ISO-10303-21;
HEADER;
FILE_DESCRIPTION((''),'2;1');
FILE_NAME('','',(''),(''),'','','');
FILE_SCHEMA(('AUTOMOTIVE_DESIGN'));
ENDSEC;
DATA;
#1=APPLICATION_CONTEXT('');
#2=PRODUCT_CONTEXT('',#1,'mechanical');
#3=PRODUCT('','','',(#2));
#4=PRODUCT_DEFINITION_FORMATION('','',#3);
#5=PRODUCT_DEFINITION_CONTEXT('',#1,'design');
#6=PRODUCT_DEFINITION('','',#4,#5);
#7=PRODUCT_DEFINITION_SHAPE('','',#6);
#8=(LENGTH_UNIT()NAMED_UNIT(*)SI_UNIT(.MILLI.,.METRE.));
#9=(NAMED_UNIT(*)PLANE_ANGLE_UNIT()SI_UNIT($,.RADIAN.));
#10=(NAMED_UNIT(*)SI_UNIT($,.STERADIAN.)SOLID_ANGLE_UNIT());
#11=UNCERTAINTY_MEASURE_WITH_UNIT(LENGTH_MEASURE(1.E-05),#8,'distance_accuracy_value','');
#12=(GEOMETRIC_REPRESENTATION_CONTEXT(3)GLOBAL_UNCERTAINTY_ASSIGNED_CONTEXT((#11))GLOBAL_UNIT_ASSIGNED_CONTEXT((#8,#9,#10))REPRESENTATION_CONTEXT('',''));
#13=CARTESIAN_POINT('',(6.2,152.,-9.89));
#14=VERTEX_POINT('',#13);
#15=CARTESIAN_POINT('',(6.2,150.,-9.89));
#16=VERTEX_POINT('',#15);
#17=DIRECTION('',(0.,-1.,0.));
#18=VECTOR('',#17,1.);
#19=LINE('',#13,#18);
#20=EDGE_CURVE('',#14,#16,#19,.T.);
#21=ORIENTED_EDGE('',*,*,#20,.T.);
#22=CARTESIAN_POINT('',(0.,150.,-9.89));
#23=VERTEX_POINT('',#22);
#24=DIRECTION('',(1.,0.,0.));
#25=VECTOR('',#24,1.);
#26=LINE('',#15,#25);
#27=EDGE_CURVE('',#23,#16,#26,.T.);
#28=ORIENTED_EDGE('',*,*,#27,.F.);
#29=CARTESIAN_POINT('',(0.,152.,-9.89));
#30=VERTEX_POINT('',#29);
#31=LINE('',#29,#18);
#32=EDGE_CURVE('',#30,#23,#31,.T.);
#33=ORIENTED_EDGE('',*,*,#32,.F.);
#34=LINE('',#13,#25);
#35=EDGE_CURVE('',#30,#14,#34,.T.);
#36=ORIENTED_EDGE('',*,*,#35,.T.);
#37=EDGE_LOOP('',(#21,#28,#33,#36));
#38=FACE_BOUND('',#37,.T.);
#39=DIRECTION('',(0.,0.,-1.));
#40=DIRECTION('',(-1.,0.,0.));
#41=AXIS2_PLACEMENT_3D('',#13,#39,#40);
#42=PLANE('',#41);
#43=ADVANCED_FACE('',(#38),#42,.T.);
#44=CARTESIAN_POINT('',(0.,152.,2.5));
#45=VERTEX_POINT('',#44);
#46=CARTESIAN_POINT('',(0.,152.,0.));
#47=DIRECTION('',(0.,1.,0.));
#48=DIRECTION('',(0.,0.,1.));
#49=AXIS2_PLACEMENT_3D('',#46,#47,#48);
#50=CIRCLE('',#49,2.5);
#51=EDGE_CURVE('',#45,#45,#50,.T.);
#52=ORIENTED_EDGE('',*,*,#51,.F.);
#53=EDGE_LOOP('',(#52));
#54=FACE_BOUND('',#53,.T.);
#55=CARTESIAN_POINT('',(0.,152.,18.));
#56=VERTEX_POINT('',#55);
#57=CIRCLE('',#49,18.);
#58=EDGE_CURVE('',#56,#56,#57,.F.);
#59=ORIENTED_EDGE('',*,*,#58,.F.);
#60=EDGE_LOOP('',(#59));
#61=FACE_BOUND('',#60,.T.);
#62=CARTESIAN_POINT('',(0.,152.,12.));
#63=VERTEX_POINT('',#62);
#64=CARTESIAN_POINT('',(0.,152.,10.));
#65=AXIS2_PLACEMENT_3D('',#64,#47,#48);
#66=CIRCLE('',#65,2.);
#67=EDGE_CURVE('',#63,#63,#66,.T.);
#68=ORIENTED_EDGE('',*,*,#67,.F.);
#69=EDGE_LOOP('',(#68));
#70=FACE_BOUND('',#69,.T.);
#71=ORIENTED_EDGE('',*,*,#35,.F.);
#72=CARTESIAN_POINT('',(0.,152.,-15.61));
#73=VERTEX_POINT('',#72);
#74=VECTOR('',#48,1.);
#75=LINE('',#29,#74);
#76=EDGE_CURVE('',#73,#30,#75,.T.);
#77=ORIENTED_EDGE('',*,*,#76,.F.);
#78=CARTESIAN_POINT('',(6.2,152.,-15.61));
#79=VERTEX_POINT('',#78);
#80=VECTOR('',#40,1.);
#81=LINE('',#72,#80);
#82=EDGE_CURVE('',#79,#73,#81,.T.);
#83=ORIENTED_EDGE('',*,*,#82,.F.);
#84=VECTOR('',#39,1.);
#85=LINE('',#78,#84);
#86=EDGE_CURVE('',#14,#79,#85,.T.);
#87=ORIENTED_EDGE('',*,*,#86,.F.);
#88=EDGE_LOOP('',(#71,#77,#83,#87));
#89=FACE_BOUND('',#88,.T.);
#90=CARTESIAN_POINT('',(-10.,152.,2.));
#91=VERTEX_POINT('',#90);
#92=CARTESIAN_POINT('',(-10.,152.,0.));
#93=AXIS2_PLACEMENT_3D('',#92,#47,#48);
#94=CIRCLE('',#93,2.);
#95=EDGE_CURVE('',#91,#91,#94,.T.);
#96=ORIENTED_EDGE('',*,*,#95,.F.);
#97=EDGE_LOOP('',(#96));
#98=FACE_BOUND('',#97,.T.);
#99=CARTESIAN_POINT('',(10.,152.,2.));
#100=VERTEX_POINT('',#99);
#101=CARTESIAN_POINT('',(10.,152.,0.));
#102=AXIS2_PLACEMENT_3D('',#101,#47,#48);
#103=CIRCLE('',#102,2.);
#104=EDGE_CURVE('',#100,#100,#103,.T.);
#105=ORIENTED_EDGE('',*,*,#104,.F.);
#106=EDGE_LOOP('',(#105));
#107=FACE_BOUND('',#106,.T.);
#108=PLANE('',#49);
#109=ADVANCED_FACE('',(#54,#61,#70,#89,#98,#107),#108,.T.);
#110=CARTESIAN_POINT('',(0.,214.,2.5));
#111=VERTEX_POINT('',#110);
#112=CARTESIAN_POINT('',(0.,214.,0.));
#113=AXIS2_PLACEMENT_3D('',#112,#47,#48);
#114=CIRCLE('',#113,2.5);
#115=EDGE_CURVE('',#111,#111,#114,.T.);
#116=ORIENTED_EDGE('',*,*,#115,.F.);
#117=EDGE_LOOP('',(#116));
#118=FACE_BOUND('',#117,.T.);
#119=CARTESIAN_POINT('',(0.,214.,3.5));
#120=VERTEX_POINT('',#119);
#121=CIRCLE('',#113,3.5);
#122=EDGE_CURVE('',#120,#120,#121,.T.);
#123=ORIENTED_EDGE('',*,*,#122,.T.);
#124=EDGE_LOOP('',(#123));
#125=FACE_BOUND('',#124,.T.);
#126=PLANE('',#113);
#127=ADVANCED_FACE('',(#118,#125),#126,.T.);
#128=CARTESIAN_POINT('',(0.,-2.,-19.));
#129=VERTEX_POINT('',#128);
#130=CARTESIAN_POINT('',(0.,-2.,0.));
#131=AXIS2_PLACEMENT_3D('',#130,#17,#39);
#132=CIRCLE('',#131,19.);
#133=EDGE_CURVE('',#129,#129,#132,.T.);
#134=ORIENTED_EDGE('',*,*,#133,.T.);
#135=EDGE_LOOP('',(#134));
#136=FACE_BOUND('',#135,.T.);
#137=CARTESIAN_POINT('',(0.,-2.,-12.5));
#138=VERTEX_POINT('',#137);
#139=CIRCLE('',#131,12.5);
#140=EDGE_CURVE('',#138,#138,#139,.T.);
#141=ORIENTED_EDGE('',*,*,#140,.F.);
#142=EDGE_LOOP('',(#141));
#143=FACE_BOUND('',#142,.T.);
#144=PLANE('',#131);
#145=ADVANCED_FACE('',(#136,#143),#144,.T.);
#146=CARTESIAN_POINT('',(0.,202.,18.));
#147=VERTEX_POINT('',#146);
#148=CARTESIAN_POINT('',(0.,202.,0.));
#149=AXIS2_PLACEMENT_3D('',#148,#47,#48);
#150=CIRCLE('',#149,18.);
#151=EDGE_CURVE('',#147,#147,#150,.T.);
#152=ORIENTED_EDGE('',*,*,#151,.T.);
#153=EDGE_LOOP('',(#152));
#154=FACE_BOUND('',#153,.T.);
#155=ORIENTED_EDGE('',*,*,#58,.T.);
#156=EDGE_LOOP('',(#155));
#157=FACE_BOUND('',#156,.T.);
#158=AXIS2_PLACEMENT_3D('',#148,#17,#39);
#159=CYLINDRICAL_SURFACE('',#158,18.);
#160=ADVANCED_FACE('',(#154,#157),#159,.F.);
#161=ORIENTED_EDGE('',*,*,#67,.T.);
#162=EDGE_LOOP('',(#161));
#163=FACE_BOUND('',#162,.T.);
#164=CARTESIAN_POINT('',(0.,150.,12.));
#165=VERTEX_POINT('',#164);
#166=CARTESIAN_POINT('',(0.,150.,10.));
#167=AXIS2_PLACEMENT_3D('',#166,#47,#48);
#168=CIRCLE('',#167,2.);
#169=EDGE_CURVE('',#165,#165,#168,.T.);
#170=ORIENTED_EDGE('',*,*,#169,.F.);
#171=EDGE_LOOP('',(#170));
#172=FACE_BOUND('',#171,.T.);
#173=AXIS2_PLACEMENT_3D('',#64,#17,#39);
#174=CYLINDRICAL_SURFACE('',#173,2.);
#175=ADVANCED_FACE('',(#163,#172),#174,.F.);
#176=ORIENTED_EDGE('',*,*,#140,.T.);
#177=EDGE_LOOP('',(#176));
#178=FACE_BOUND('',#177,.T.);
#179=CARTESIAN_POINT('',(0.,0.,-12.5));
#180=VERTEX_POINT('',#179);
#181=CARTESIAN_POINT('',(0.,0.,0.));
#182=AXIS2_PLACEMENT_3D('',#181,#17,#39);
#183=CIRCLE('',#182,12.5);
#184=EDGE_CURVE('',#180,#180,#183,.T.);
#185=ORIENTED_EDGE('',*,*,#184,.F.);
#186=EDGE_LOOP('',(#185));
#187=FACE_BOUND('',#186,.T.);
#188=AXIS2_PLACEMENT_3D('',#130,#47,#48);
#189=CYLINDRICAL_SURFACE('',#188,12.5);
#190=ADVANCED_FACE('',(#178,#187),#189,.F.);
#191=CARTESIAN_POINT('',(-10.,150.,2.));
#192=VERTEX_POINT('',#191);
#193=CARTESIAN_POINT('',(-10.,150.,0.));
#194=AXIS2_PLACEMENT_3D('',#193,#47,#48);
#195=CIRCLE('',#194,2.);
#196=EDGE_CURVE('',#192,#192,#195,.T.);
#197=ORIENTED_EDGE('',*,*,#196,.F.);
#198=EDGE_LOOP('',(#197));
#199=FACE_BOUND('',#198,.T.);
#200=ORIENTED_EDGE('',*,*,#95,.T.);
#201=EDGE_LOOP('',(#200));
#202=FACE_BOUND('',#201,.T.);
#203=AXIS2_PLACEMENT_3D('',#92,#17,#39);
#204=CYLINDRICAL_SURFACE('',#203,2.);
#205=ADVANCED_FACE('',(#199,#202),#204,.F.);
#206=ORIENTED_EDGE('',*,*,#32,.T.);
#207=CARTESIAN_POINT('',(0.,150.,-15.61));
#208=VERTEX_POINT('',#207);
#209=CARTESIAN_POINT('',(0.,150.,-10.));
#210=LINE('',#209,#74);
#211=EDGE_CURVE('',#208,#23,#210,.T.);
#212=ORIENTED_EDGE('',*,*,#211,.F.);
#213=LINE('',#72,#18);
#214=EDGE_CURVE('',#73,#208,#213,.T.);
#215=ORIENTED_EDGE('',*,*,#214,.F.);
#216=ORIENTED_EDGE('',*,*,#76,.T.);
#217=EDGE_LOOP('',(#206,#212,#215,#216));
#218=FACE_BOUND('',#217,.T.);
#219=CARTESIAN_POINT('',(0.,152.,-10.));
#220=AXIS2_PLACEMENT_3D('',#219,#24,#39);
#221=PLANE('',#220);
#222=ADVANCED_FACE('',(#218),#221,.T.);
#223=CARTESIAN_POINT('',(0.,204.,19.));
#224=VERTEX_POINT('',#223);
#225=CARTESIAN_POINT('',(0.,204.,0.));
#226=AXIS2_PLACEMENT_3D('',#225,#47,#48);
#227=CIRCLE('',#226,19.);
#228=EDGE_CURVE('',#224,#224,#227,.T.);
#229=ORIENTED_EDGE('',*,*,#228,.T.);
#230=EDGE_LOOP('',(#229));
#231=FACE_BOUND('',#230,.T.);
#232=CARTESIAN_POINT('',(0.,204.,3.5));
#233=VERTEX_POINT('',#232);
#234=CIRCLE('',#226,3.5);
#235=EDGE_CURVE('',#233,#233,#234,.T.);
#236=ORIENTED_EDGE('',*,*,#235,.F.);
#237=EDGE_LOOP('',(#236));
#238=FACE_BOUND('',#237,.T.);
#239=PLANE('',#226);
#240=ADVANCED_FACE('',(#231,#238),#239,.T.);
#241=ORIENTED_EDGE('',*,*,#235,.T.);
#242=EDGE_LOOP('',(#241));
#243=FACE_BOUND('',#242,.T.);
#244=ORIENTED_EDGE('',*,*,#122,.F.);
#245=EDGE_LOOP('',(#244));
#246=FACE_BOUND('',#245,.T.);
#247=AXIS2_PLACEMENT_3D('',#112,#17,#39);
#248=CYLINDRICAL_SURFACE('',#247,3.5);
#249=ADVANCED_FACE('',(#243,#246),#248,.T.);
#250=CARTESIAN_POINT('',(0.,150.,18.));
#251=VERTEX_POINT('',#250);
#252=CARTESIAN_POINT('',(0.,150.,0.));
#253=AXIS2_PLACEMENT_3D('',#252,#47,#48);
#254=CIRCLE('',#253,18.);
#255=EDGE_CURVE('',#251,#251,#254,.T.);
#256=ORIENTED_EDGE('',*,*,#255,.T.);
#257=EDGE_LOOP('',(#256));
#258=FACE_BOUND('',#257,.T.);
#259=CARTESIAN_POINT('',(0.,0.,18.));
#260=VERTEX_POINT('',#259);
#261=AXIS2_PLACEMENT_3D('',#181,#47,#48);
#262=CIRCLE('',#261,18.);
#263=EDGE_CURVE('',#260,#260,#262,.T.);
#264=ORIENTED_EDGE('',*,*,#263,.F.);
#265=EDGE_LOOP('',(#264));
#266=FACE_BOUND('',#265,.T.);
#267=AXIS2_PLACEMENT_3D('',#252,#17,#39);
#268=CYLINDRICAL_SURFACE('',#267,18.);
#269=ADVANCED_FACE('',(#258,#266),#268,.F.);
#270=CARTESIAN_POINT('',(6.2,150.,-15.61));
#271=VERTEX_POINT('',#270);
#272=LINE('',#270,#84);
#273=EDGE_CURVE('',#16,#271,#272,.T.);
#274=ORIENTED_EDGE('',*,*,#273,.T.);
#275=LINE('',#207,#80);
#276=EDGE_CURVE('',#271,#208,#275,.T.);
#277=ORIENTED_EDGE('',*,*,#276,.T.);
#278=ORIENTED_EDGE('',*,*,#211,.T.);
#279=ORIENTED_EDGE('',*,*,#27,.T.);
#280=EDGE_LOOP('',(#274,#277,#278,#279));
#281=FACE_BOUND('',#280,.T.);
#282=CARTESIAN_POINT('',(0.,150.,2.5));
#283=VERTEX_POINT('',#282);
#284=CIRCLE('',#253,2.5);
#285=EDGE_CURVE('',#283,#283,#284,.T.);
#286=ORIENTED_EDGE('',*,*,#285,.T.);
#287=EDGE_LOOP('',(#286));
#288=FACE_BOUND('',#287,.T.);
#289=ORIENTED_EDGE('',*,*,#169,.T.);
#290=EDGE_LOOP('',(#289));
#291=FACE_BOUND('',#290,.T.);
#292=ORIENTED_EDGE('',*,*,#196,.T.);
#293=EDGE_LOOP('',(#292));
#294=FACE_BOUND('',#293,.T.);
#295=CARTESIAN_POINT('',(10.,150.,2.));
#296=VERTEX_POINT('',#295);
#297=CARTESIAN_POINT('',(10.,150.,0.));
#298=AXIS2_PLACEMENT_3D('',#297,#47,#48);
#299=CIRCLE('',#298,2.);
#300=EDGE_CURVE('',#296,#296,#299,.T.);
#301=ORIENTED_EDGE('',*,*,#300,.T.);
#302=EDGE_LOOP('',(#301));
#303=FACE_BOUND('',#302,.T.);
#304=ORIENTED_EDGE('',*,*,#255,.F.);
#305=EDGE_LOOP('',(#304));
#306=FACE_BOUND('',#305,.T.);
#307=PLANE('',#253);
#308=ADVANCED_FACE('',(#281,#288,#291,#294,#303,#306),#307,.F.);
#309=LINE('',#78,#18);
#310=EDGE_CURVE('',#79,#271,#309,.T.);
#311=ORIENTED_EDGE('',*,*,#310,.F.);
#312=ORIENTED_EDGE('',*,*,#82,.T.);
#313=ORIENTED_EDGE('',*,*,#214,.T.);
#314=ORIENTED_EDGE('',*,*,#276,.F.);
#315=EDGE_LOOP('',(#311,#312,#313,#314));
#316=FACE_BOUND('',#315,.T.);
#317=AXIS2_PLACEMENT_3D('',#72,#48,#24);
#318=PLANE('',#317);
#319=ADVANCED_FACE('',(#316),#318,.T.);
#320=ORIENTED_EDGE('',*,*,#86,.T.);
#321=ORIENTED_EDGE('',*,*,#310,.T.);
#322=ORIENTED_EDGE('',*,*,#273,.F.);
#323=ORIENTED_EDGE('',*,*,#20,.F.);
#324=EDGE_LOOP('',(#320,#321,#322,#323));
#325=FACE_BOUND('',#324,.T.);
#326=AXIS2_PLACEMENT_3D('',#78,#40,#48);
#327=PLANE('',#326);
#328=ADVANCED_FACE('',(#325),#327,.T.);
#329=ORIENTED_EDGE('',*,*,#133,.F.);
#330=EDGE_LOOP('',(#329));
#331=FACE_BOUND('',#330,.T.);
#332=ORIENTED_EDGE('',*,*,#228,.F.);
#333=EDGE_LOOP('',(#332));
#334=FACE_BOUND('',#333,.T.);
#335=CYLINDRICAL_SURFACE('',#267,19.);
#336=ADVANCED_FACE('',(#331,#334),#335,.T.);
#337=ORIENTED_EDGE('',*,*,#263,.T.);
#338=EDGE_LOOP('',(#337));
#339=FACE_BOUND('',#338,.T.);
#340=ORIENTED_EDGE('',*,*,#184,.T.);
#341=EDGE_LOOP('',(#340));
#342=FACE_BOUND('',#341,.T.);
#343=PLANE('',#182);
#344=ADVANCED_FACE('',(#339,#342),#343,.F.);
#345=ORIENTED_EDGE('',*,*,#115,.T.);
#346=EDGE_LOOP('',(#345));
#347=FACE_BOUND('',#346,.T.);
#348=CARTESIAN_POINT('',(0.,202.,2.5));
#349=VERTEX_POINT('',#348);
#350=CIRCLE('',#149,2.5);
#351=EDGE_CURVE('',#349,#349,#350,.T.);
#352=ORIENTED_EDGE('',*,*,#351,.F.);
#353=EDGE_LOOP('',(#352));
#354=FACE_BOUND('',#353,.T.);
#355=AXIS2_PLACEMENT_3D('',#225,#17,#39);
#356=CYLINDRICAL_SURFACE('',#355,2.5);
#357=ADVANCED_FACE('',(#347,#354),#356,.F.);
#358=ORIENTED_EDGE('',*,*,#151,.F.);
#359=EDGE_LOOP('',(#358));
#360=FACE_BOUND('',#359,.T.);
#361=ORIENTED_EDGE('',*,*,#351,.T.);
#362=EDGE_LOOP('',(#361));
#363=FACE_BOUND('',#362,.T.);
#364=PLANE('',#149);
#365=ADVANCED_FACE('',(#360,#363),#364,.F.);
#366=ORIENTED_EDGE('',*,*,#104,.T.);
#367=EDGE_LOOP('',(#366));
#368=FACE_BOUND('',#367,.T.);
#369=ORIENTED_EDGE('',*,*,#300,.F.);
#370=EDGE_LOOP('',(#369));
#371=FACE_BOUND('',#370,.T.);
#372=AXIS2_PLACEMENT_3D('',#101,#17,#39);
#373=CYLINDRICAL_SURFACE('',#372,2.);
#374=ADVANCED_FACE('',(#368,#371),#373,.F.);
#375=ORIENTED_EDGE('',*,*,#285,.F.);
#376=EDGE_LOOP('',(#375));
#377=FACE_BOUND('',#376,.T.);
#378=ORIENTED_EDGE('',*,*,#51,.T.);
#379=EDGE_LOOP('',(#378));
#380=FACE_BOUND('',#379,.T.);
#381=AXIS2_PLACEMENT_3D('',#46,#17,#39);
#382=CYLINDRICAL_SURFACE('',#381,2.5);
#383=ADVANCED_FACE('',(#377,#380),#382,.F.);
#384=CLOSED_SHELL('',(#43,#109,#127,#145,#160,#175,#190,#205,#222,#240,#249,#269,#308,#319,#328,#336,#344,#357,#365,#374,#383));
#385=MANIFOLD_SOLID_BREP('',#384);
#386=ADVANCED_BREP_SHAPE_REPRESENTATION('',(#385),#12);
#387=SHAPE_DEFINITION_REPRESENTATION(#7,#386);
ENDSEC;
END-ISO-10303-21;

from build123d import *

# Parameters (mm, degrees)
SKETCH_1_R      = 19
SKETCH_1_R_2    = 18
EXTRUDE_1_DEPTH = 150
SKETCH_2_R      = 19
SKETCH_2_R_2    = 2
SKETCH_2_R_3    = 2.5
EXTRUDE_2_DEPTH = 2
SKETCH_3_R      = 19
SKETCH_3_R_2    = 18
EXTRUDE_3_DEPTH = 50
SKETCH_4_R      = 19
SKETCH_4_R_2    = 2.5
EXTRUDE_4_DEPTH = 2
SKETCH_5_R      = 3.5
SKETCH_5_R_2    = 2.5
EXTRUDE_5_DEPTH = 10
EXTRUDE_START   = 2
SKETCH_6_R      = 19
SKETCH_6_R_2    = 12.5
EXTRUDE_6_DEPTH = 2


with BuildPart() as part:
    # 草图1 → 凸台-拉伸1 (new body)
    with BuildSketch(Plane(origin=(0, 0, 0), x_dir=(1, 0, 0), z_dir=(0, 1, 0))):
        with Locations(Location((0, 0, 0), (0, 0, 270))):
            Circle(SKETCH_1_R)
        with Locations(Location((0, 0, 0), (0, 0, 270))):
            Circle(SKETCH_1_R_2, mode=Mode.SUBTRACT)
    extrude(amount=EXTRUDE_1_DEPTH)

    # 草图2 → 凸台-拉伸2 (add)
    with BuildSketch(Plane(origin=(0, 150, 0), x_dir=(1, 0, 0), z_dir=(0, 1, 0))):
        with Locations(Location((0, 0, 0), (0, 0, 270))):
            Circle(SKETCH_2_R)
        with Locations(Location((10, 0, 0), (0, 0, 270))):
            Circle(SKETCH_2_R_2, mode=Mode.SUBTRACT)
        with Locations(Location((-10, 0, 0), (0, 0, 270))):
            Circle(SKETCH_2_R_2, mode=Mode.SUBTRACT)
        with Locations(Location((0, -10, 0), (0, 0, 270))):
            Circle(SKETCH_2_R_2, mode=Mode.SUBTRACT)
        with Locations(Location((0, 0, 0), (0, 0, 270))):
            Circle(SKETCH_2_R_3, mode=Mode.SUBTRACT)
        Polygon((0, 10), (0, 15.61), (6.2, 15.61), (6.2, 9.89), (0, 9.89), align=None, mode=Mode.SUBTRACT)
    extrude(amount=EXTRUDE_2_DEPTH)

    # 草图3 → 凸台-拉伸3 (add)
    with BuildSketch(Plane(origin=(0, 152, 0), x_dir=(1, 0, 0), z_dir=(0, 1, 0))):
        with Locations(Location((0, 0, 0), (0, 0, 270))):
            Circle(SKETCH_3_R)
        with Locations(Location((0, 0, 0), (0, 0, 270))):
            Circle(SKETCH_3_R_2, mode=Mode.SUBTRACT)
    extrude(amount=EXTRUDE_3_DEPTH)

    # 草图4 → 凸台-拉伸4 (add)
    with BuildSketch(Plane(origin=(0, 202, 0), x_dir=(1, 0, 0), z_dir=(0, 1, 0))):
        with Locations(Location((0, 0, 0), (0, 0, 270))):
            Circle(SKETCH_4_R)
        with Locations(Location((0, 0, 0), (0, 0, 270))):
            Circle(SKETCH_4_R_2, mode=Mode.SUBTRACT)
    extrude(amount=EXTRUDE_4_DEPTH)

    # 草图5 → 凸台-拉伸5 (add)
    with BuildSketch(Plane(origin=(0, 204, 0), x_dir=(1, 0, 0), z_dir=(0, 1, 0))):
        with Locations(Location((0, 0, 0), (0, 0, 270))):
            Circle(SKETCH_5_R)
        with Locations(Location((0, 0, 0), (0, 0, 270))):
            Circle(SKETCH_5_R_2, mode=Mode.SUBTRACT)
    extrude(amount=EXTRUDE_5_DEPTH)

    # 草图6 → 凸台-拉伸6 (add)
    with BuildSketch(Plane.XZ.offset(EXTRUDE_START)):
        with Locations(Location((0, 0, 0), (0, 0, 270))):
            Circle(SKETCH_6_R)
        with Locations(Location((0, 0, 0), (0, 0, 270))):
            Circle(SKETCH_6_R_2, mode=Mode.SUBTRACT)
    extrude(amount=-EXTRUDE_6_DEPTH)


solid = part.part
